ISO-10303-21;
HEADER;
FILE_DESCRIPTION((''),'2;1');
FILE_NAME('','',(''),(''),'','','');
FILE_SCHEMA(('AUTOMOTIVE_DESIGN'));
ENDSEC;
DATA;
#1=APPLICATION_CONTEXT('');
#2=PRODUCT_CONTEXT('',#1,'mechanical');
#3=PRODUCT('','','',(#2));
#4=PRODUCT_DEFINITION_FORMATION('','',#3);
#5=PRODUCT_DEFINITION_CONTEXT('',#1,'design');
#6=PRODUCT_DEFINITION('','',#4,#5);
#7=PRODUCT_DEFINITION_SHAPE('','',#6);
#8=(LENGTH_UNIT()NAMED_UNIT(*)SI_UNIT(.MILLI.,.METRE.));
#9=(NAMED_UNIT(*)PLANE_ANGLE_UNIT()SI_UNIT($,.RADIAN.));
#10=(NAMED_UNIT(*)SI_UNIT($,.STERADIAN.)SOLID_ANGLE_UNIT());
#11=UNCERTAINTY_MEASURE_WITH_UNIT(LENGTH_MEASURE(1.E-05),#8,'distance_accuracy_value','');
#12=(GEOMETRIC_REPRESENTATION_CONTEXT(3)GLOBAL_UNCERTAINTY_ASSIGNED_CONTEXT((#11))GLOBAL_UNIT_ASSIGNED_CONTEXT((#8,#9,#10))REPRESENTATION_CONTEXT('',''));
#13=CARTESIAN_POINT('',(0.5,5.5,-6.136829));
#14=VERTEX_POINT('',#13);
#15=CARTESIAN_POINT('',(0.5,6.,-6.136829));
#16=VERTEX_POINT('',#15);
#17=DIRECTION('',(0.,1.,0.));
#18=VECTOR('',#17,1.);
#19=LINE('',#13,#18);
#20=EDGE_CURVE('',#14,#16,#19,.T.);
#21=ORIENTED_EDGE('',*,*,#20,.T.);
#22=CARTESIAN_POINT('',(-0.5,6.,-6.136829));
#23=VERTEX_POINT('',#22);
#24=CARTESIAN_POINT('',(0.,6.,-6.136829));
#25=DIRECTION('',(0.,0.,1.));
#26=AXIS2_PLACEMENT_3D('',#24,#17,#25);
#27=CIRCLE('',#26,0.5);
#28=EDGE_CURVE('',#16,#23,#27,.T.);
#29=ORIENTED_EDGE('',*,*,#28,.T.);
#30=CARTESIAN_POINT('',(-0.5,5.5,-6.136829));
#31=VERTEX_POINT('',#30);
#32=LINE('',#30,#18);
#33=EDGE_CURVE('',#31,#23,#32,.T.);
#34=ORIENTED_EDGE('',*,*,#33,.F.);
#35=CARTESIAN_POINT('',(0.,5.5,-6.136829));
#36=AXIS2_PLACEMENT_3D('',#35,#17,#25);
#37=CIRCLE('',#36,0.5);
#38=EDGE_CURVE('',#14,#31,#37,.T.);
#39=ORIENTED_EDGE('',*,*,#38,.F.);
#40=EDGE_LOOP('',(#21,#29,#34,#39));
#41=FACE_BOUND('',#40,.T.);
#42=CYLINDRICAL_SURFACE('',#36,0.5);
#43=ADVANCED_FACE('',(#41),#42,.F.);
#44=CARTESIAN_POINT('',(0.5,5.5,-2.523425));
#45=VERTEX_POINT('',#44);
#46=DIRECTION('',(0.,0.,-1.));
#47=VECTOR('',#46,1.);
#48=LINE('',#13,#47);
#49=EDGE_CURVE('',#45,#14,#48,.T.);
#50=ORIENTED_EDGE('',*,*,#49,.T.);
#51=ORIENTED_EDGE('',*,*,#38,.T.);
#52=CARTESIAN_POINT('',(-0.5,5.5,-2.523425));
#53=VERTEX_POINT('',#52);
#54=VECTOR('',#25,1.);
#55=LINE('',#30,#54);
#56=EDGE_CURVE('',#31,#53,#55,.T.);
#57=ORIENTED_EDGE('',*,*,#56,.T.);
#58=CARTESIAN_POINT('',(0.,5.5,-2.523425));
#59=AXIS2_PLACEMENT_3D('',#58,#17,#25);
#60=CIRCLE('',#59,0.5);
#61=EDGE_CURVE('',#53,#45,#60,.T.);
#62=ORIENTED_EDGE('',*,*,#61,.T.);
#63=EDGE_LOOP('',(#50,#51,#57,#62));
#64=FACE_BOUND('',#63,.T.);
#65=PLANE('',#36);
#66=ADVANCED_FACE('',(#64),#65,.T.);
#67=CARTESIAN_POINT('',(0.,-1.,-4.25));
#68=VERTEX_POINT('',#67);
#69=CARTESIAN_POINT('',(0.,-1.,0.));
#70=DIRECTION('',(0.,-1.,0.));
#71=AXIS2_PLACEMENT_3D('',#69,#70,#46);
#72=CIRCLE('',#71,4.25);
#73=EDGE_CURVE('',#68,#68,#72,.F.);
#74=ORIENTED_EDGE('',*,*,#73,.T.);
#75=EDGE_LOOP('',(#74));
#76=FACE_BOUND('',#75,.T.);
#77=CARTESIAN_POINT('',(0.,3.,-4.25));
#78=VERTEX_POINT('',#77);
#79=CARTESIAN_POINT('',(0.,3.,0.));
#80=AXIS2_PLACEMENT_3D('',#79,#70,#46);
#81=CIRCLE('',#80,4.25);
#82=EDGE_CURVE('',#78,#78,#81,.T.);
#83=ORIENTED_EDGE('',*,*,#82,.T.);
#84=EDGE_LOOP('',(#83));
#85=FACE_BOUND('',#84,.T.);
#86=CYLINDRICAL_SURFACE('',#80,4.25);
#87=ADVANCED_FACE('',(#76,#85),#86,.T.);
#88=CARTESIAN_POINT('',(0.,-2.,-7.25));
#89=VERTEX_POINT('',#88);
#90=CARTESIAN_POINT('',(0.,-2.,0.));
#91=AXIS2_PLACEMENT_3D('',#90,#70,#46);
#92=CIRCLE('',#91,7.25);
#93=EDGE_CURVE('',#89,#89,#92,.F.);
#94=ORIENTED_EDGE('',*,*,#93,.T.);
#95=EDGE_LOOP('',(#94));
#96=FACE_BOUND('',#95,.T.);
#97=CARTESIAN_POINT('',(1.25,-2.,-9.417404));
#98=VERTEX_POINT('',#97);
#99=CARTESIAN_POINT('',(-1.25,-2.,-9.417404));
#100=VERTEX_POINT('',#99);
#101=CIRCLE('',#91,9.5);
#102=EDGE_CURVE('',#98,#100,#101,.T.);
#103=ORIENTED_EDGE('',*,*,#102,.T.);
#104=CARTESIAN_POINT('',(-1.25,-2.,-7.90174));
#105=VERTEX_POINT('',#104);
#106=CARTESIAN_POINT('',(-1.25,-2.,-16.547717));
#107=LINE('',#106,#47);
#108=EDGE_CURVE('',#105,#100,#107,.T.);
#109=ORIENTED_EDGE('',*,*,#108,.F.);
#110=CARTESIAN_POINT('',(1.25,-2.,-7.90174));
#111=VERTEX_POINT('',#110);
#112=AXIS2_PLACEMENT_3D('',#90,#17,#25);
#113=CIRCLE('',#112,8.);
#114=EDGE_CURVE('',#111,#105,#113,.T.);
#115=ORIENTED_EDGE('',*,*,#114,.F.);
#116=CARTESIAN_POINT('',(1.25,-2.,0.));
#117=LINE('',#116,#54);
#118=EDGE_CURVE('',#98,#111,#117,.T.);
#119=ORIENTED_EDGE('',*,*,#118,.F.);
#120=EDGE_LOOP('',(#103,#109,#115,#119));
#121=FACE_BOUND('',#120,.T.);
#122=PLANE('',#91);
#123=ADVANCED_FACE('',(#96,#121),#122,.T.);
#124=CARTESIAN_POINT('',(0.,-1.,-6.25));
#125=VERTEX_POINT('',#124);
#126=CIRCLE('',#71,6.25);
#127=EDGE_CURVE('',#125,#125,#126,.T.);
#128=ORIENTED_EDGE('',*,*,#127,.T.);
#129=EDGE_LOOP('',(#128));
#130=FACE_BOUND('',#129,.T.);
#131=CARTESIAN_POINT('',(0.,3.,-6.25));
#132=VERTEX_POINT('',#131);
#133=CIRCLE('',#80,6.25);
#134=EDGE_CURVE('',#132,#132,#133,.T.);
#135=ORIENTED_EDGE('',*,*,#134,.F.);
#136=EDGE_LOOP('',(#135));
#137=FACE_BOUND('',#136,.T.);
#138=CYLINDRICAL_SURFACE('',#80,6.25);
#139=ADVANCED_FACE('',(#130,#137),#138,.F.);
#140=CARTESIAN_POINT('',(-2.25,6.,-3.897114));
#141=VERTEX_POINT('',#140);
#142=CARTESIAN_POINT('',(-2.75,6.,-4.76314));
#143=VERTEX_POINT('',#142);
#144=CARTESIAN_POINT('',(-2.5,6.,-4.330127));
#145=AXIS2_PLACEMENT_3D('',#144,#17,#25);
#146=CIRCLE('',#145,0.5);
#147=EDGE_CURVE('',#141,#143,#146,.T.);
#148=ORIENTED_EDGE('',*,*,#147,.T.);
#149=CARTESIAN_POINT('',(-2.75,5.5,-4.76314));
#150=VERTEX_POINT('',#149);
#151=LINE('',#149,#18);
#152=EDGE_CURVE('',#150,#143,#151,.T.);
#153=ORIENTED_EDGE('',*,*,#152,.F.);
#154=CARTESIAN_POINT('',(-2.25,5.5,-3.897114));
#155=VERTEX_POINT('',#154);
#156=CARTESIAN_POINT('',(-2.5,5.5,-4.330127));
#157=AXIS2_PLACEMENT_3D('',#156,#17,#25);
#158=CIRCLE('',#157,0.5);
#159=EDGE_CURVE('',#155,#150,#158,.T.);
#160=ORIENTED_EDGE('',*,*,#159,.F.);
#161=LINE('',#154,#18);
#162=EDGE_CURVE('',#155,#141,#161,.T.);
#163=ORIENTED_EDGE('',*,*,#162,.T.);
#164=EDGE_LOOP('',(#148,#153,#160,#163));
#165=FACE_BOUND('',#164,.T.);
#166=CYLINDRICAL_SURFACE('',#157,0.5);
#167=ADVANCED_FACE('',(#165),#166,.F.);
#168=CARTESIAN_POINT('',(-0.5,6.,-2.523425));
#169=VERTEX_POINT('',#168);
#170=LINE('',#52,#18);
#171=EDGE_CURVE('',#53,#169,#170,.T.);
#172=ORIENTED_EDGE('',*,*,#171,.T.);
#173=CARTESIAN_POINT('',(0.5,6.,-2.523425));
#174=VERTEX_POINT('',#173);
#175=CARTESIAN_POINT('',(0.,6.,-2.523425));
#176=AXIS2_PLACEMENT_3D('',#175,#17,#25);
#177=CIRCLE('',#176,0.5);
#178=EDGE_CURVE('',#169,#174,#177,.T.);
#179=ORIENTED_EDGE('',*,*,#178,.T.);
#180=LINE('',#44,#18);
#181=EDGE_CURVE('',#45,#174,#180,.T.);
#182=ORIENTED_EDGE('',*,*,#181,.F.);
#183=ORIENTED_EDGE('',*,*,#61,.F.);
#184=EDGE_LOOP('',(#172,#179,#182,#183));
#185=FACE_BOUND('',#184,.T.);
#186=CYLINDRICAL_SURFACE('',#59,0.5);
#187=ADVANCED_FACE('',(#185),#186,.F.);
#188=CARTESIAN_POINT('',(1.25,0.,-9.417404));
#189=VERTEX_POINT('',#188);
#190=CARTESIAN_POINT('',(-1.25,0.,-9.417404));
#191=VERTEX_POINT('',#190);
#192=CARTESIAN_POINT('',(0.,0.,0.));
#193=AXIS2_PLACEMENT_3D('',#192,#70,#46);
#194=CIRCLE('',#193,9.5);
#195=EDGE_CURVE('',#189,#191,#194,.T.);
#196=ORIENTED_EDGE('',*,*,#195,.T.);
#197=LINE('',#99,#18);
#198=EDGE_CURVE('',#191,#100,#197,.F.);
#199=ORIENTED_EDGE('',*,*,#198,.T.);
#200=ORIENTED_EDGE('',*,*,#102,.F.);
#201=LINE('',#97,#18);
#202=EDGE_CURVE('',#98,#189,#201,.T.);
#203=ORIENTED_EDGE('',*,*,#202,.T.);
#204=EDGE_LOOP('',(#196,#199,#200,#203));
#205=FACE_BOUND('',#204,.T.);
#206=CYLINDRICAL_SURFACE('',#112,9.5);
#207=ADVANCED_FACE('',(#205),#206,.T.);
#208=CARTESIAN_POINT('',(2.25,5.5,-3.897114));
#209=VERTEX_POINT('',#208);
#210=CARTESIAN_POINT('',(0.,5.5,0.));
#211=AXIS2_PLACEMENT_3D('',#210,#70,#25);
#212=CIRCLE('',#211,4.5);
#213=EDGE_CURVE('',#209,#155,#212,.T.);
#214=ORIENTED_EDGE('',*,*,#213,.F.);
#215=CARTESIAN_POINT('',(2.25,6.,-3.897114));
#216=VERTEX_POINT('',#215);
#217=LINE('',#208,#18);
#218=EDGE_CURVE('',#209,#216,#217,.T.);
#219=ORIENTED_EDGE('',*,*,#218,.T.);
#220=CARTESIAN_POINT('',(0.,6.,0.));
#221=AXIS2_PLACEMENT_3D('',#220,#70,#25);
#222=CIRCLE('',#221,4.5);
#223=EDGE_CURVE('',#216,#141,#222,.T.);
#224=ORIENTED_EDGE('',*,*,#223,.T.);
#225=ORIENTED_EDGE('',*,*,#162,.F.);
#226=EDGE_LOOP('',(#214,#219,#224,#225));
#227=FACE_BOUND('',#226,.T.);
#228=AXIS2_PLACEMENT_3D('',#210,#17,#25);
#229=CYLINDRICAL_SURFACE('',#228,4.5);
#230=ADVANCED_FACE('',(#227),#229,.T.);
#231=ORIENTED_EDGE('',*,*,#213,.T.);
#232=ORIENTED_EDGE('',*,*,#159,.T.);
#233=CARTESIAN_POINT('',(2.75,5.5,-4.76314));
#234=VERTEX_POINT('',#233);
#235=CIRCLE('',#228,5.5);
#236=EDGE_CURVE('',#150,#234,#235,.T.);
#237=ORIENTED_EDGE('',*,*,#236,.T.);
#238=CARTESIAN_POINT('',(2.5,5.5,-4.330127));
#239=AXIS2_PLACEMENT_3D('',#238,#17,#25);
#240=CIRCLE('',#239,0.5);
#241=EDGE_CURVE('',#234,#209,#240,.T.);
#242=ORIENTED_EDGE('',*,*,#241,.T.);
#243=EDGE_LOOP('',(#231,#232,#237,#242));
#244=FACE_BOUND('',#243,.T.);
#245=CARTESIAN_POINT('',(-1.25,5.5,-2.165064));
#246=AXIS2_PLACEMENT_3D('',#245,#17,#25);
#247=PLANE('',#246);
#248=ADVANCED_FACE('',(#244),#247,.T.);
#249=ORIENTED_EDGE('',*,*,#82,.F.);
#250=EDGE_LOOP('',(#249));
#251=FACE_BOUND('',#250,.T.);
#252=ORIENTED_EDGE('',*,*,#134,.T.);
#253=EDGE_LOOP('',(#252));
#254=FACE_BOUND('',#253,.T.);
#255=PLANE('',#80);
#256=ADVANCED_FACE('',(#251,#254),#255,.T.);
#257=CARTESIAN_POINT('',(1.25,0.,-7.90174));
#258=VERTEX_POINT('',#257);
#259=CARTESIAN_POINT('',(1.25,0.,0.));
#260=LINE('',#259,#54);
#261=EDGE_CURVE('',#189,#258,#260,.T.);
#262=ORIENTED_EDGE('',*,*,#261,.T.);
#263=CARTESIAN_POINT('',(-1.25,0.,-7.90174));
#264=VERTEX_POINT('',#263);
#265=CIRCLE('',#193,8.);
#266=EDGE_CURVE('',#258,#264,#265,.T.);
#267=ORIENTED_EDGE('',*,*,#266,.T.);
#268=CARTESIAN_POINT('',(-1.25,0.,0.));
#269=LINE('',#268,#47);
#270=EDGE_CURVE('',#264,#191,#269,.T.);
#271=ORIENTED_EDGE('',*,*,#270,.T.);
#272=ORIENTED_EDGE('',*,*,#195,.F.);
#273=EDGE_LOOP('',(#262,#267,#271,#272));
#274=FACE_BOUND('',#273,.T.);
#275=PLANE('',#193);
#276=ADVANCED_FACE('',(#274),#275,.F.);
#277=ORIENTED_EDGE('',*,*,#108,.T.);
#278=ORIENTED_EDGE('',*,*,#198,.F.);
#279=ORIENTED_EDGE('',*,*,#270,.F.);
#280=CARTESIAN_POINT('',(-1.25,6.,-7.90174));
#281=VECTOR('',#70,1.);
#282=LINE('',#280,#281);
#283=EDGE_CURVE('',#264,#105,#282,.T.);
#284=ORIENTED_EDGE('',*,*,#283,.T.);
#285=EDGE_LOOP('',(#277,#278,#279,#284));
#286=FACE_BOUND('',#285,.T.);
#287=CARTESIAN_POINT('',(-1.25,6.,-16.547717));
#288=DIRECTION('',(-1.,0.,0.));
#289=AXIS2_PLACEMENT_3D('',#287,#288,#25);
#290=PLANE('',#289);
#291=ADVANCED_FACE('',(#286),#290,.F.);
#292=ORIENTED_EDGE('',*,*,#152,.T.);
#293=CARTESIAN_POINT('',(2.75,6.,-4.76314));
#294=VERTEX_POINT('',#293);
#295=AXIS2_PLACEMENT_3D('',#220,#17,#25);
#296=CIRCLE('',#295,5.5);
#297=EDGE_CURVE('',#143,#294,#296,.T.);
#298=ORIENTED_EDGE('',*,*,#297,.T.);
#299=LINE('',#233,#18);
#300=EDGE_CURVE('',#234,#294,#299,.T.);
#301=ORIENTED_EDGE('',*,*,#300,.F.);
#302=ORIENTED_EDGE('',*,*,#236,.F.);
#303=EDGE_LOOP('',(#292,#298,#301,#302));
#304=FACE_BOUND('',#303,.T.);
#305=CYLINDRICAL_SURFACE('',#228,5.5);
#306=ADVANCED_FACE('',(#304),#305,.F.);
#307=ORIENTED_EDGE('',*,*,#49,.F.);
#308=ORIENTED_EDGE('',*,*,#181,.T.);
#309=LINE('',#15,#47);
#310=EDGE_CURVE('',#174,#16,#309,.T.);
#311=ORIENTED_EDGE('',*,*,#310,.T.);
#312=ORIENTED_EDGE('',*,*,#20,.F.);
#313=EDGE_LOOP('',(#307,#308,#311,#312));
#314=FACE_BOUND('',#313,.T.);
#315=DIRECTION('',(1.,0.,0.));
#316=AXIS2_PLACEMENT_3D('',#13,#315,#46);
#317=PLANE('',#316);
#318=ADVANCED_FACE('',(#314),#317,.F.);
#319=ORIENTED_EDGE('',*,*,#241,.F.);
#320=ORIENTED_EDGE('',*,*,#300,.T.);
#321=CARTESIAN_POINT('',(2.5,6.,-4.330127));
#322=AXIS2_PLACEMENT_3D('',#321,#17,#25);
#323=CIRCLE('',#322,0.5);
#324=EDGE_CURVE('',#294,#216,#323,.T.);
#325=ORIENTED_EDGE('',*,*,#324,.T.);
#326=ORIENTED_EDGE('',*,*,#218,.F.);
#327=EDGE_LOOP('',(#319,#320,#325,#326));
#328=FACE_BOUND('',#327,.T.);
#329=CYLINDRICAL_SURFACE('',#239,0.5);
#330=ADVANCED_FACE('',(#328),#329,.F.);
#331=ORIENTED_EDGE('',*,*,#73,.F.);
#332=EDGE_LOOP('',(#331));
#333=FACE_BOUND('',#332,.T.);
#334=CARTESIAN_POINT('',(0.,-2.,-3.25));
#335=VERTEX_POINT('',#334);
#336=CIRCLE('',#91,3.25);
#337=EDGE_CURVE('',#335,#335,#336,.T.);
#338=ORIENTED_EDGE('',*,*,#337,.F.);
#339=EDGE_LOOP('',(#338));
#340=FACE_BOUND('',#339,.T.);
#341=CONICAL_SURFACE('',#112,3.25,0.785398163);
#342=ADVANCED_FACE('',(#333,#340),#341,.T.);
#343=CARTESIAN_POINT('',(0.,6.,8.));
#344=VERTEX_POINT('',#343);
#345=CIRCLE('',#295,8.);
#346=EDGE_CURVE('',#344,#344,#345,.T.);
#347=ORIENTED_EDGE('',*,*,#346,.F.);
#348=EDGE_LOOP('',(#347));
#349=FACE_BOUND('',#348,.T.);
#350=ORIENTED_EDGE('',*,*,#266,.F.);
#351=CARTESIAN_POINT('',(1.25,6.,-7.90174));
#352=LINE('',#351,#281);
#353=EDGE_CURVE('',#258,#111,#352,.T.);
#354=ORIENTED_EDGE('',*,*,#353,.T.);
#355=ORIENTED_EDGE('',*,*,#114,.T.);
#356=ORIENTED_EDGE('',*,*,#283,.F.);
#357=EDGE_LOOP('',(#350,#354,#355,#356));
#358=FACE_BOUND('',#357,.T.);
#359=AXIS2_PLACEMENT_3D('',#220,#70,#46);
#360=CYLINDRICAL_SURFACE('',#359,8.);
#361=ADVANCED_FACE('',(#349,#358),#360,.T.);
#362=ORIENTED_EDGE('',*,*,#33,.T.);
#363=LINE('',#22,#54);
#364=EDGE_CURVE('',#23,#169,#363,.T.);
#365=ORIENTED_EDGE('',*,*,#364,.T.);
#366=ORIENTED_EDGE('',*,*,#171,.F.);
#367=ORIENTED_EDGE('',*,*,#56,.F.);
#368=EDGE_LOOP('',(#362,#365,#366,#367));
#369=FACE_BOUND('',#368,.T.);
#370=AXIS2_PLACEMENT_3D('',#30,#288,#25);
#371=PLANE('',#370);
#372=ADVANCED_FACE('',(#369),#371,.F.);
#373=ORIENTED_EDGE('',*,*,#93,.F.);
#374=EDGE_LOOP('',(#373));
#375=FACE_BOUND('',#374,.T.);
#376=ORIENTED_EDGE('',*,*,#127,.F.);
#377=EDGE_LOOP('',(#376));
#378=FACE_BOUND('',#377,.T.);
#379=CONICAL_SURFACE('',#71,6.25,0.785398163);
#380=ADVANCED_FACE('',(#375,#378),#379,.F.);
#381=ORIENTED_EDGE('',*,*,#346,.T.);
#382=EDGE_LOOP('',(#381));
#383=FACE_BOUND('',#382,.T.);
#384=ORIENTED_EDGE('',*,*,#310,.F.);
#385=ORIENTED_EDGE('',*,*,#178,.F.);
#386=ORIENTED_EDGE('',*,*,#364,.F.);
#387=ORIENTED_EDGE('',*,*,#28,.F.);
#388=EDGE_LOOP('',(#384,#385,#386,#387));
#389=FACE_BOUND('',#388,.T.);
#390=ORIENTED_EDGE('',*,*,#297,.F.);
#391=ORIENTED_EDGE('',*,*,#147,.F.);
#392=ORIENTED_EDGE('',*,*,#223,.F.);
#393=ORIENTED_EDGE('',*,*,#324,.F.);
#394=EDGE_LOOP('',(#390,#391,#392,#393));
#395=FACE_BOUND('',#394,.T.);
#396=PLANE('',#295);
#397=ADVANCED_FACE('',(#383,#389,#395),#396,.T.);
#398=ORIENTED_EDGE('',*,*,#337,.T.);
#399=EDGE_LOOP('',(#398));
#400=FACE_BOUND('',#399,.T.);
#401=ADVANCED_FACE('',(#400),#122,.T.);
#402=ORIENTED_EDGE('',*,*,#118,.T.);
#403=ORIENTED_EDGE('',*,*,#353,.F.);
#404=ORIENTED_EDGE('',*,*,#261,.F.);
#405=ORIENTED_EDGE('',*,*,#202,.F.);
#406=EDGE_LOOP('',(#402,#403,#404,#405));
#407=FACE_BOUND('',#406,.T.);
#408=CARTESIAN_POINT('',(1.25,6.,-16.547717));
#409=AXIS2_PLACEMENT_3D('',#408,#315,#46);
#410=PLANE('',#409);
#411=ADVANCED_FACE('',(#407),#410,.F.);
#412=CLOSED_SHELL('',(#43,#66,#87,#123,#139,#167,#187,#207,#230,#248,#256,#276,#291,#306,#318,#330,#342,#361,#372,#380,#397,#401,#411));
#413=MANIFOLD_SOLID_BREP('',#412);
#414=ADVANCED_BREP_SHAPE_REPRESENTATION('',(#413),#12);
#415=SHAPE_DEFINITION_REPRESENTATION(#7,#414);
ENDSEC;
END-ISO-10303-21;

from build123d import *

# Parameters (mm, degrees)
SKETCH1_R           = 8
BOSS_EXTRUDE1_DEPTH = 6
SKETCH2_R           = 9.5
BOSS_EXTRUDE2_DEPTH = 2
SKETCH3_R           = 6.25
SKETCH3_R_2         = 4.25
CUT_EXTRUDE1_DEPTH  = 5
CHAMFER1_SIZE       = 1
CHAMFER2_SIZE       = 1
CUT_EXTRUDE2_DEPTH  = 16.636495771
CUT_EXTRUDE3_DEPTH  = 0.5


with BuildPart() as part:
    # Sketch1 → Boss-Extrude1 (new body)
    with BuildSketch(Plane(origin=(0, 0, 0), x_dir=(1, 0, 0), z_dir=(0, 1, 0))):
        with Locations(Location((0, 0, 0), (0, 0, 270))):
            Circle(SKETCH1_R)
    extrude(amount=BOSS_EXTRUDE1_DEPTH)

    # Sketch2 → Boss-Extrude2 (add)
    with BuildSketch(Plane.XZ):
        with Locations(Location((0, 0, 0), (0, 0, 270))):
            Circle(SKETCH2_R)
    extrude(amount=BOSS_EXTRUDE2_DEPTH)

    # Sketch3 → Cut-Extrude1 (cut)
    with BuildSketch(Plane.XZ.offset(2)):
        with Locations(Location((0, 0, 0), (0, 0, 270))):
            Circle(SKETCH3_R)
        with Locations(Location((0, 0, 0), (0, 0, 270))):
            Circle(SKETCH3_R_2, mode=Mode.SUBTRACT)
    extrude(amount=-CUT_EXTRUDE1_DEPTH, mode=Mode.SUBTRACT)

    # Chamfer1
    chamfer1_edges = [part.edges().sort_by_distance(p)[0] for p in [
        (0, -2, 6.25),
    ]]
    chamfer(chamfer1_edges, length=CHAMFER1_SIZE)

    # Chamfer2
    chamfer2_edges = [part.edges().sort_by_distance(p)[0] for p in [
        (0, -2, 4.25),
    ]]
    chamfer(chamfer2_edges, length=CHAMFER2_SIZE)

    # Sketch5 → Cut-Extrude2 (cut, through all)
    with BuildSketch(Plane.XZ.offset(2)):
        with BuildLine():
            Line((-1.25, -16.547716643), (1.25, -16.547716643))
            Line((1.25, -16.547716643), (1.25, -7.901740315))
            ThreePointArc((1.25, -7.901740315), (0, -8), (-1.25, -7.901740315))
            Line((-1.25, -7.901740315), (-1.25, -16.547716643))
        make_face()
    extrude(amount=-CUT_EXTRUDE2_DEPTH, mode=Mode.SUBTRACT)

    # Sketch6 → Cut-Extrude3 (cut)
    with BuildSketch(Plane(origin=(0, 6, 0), x_dir=(1, 0, 0), z_dir=(0, 1, 0))):
        with BuildLine():
            Line((0.5, 6.136828952), (0.5, 2.523425086))
            ThreePointArc((0.5, 2.523425086), (0, 2.023425086), (-0.5, 2.523425086))
            Line((-0.5, 2.523425086), (-0.5, 6.136828952))
            ThreePointArc((-0.5, 6.136828952), (0, 6.636828952), (0.5, 6.136828952))
        make_face()
        with BuildLine():
            ThreePointArc((-2.75, 4.763139721), (0, -5.5), (2.75, 4.763139721))
            ThreePointArc((2.75, 4.763139721), (2.066987298, 4.580127019), (2.25, 3.897114317))
            ThreePointArc((2.25, 3.897114317), (0, -4.5), (-2.25, 3.897114317))
            ThreePointArc((-2.25, 3.897114317), (-2.066987298, 4.580127019), (-2.75, 4.763139721))
        make_face()
    extrude(amount=-CUT_EXTRUDE3_DEPTH, mode=Mode.SUBTRACT)


solid = part.part
